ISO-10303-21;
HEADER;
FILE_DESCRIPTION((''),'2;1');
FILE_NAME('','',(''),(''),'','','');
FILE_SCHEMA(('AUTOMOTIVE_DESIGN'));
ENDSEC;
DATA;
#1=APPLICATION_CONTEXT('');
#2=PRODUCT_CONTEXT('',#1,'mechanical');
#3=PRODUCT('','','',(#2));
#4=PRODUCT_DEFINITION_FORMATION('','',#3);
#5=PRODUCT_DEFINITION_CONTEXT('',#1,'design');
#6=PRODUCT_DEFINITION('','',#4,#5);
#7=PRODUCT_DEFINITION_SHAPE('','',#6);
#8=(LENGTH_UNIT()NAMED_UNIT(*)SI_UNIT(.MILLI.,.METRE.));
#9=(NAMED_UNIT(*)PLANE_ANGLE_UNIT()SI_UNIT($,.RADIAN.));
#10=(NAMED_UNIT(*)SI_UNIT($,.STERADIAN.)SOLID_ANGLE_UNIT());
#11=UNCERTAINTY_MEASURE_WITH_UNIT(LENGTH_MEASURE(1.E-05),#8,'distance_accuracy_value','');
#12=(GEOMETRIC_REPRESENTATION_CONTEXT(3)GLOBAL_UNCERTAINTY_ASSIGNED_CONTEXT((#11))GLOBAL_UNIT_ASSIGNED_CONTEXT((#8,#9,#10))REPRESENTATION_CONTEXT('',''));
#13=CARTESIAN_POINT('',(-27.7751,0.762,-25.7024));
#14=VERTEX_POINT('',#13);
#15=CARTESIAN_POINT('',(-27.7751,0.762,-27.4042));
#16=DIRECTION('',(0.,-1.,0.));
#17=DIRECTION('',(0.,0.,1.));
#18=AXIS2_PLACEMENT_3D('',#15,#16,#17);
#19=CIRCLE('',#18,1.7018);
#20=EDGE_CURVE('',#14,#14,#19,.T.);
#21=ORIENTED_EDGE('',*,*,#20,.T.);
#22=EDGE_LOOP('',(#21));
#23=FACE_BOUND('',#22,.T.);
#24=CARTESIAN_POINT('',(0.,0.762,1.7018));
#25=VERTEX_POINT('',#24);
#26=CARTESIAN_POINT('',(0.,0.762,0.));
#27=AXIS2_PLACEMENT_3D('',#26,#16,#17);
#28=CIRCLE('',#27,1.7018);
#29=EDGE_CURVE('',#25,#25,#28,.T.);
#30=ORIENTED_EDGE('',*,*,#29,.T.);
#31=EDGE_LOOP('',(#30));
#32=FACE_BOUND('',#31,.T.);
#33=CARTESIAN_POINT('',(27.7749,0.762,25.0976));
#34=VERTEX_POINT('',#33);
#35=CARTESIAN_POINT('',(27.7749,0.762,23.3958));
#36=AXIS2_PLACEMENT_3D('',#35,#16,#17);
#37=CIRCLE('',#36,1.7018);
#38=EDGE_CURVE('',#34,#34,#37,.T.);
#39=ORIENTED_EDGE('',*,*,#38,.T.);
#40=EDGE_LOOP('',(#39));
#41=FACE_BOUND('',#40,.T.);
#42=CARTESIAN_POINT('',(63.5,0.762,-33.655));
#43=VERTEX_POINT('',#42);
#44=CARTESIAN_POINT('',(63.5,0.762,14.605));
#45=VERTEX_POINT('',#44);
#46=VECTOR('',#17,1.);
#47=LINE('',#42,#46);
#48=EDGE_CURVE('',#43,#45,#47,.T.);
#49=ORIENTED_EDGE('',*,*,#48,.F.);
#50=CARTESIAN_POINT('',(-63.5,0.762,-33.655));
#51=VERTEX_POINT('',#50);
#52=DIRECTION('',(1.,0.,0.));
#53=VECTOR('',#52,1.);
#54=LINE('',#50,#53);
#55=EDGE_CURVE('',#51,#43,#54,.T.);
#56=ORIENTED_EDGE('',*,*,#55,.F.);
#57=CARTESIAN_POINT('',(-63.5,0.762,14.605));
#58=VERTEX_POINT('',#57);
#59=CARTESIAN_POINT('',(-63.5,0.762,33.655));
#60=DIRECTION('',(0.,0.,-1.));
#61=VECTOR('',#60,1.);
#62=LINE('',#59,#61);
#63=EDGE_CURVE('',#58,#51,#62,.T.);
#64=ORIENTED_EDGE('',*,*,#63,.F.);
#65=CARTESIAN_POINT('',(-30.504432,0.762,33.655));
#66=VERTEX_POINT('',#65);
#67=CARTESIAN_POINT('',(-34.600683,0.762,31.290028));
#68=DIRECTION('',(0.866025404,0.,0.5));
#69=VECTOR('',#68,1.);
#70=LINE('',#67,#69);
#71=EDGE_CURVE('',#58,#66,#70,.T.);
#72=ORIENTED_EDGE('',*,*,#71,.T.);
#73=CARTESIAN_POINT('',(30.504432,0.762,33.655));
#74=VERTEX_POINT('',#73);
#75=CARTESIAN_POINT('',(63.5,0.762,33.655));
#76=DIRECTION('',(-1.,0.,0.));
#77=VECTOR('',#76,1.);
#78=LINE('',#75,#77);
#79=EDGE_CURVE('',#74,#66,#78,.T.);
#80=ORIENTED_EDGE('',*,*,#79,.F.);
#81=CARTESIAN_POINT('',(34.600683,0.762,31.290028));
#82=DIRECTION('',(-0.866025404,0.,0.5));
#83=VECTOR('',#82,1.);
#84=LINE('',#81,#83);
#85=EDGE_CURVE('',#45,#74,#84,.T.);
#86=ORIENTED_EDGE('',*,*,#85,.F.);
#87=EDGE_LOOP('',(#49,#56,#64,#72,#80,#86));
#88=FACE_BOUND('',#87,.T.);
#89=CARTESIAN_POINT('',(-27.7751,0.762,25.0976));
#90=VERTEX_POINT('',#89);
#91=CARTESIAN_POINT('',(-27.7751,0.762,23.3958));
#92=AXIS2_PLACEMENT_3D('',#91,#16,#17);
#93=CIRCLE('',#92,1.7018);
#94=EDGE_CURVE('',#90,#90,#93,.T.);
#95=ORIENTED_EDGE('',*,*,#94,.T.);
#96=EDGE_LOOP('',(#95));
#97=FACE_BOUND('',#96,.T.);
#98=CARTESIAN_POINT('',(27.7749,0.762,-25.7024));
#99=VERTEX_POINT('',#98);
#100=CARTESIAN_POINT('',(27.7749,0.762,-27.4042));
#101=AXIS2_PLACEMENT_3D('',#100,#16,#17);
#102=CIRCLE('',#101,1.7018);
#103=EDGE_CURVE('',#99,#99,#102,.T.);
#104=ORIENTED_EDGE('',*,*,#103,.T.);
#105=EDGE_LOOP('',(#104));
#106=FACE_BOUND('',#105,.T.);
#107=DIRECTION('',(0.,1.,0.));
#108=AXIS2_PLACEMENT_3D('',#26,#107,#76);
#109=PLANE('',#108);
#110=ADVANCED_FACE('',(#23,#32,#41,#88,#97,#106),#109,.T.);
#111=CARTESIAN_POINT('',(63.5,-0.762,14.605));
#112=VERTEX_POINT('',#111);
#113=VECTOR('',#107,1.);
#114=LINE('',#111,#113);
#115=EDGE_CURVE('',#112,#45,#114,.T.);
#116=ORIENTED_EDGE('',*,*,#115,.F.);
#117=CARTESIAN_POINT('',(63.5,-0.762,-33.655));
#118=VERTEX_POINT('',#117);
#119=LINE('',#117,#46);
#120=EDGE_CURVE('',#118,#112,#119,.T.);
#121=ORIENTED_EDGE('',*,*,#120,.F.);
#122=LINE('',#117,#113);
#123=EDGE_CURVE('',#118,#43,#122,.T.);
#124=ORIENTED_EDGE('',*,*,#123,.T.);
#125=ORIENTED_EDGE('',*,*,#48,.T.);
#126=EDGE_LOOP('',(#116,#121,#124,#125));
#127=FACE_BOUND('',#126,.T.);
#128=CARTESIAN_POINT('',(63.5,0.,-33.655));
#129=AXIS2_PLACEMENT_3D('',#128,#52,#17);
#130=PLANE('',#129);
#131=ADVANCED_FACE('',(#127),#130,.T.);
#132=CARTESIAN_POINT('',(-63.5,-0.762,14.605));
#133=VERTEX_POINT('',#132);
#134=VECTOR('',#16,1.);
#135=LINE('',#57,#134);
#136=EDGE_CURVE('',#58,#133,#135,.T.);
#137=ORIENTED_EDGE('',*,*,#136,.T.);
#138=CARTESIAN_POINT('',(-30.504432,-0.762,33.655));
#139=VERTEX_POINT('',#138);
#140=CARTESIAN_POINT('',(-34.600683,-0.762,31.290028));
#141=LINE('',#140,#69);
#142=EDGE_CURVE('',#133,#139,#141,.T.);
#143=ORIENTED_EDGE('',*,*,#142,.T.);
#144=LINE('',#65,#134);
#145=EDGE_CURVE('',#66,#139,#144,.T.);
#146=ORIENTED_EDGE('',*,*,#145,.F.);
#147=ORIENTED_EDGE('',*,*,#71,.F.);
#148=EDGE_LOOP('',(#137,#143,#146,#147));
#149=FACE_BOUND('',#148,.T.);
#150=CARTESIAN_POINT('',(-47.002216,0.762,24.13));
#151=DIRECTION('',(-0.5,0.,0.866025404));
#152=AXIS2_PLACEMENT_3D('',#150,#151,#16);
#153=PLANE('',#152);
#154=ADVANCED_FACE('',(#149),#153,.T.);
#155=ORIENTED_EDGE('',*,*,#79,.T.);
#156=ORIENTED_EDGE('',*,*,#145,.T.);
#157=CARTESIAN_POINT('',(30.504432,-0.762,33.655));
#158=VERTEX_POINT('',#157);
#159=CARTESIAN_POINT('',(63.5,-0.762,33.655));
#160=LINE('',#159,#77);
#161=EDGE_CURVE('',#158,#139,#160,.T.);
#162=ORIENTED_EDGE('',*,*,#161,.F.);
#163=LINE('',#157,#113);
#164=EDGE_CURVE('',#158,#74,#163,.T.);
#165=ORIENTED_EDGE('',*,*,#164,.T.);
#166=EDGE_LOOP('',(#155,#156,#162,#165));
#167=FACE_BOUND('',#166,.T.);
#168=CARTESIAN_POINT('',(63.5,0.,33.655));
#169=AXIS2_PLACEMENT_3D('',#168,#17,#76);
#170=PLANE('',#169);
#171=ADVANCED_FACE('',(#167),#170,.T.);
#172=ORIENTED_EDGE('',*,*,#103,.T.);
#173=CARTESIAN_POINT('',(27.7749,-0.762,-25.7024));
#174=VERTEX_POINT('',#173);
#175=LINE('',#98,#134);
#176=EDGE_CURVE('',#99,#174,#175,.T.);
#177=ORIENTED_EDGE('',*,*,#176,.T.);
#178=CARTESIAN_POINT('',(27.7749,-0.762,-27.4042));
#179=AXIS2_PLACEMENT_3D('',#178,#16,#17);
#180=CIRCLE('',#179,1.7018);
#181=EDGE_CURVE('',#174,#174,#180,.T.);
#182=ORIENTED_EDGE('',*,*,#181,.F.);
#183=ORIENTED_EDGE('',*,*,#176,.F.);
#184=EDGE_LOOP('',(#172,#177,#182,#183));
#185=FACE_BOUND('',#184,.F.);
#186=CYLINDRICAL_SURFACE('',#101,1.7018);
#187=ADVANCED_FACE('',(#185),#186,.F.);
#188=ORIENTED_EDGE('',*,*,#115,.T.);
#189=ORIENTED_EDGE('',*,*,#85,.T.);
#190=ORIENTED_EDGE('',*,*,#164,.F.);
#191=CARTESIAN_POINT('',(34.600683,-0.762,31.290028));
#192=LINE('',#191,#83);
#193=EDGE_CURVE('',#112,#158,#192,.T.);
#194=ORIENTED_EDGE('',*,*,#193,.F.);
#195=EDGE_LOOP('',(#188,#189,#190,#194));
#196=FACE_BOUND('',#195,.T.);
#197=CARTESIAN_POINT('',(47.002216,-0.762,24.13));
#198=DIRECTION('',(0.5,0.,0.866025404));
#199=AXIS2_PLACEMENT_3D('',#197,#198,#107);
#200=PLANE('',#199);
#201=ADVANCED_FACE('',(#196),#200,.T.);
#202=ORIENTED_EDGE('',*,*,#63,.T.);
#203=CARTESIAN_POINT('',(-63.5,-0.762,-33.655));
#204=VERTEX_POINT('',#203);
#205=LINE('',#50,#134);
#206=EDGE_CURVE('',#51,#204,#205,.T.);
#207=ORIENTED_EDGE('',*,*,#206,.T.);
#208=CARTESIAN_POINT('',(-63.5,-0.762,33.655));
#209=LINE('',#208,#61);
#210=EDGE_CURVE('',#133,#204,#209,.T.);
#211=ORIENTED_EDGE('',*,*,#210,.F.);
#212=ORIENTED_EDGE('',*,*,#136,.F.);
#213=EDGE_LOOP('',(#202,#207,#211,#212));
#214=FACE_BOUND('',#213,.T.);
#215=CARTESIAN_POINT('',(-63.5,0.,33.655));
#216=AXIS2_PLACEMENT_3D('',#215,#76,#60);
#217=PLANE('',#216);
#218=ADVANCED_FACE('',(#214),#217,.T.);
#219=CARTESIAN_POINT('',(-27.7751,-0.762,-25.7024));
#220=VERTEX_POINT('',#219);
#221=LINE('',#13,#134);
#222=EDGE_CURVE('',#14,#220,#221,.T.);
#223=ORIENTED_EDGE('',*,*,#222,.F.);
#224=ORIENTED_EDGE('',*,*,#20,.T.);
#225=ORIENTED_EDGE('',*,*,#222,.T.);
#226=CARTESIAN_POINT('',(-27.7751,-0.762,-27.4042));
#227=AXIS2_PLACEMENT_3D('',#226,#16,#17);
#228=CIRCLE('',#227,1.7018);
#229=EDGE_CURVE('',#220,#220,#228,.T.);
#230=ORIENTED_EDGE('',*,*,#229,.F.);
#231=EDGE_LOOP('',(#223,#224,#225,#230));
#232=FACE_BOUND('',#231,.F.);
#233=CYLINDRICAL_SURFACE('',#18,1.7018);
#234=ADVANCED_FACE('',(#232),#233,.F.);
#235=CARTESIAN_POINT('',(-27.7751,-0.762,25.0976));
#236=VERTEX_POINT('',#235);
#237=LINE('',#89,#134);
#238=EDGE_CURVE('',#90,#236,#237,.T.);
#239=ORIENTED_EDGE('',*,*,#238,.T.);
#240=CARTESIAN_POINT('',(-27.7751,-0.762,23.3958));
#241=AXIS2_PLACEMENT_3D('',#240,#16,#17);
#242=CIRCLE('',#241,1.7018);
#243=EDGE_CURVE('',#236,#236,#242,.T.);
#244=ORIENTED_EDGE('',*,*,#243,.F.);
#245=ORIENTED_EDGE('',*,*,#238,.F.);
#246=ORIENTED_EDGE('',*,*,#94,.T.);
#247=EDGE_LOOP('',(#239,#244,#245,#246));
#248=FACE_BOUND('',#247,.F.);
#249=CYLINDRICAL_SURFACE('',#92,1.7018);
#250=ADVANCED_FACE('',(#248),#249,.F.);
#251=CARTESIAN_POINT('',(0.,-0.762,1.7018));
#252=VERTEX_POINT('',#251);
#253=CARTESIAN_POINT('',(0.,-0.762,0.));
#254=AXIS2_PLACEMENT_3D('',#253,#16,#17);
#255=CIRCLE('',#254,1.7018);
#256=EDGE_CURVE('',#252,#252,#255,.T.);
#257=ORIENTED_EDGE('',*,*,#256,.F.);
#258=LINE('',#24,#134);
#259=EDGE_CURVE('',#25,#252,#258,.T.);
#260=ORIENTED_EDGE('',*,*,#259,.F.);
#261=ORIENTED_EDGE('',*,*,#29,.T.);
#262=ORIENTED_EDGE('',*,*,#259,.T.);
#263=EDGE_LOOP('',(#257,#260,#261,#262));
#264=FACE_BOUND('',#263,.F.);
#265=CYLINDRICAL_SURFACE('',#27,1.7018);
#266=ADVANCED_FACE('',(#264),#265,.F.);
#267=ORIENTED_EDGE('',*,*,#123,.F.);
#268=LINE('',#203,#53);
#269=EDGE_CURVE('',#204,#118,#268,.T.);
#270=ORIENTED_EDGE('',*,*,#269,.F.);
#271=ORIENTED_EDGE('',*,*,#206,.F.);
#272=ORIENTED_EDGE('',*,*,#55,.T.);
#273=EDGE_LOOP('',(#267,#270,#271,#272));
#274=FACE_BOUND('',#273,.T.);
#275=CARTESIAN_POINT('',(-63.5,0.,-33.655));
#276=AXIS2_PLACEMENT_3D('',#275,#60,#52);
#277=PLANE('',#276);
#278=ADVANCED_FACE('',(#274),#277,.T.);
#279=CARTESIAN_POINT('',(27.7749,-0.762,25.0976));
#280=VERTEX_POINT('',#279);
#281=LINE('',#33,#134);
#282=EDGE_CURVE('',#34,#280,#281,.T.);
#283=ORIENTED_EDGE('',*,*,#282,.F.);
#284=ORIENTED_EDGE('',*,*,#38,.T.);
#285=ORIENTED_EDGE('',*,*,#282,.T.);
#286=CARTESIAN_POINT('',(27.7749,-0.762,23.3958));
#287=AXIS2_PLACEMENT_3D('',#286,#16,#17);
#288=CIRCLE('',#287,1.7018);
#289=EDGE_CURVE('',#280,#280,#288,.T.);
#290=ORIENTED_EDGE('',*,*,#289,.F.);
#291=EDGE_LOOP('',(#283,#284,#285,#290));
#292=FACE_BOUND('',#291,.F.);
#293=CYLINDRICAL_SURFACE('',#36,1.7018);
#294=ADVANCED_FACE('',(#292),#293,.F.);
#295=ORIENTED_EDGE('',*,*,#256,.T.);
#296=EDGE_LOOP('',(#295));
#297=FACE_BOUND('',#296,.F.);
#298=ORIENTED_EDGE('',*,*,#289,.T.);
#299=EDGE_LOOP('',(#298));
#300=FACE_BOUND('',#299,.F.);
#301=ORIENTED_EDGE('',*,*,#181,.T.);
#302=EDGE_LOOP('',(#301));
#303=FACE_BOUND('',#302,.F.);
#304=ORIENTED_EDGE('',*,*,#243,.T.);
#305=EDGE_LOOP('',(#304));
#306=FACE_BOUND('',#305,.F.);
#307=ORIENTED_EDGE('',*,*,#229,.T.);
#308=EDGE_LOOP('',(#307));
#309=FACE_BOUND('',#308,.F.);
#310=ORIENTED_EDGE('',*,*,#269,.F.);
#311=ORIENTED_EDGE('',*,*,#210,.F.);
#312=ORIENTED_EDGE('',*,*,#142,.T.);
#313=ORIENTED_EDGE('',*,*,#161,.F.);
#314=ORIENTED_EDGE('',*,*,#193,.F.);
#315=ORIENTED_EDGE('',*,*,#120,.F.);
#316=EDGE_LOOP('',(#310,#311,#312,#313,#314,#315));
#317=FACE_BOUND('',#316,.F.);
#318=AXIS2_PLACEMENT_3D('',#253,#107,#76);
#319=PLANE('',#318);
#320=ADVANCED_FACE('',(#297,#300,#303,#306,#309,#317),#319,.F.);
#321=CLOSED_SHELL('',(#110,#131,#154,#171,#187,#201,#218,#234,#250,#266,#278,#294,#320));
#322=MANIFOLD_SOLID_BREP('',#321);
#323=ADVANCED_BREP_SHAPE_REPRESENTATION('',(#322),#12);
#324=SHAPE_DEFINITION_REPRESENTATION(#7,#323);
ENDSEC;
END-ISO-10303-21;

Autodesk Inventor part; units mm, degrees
ref_plane "YZ Plane" through (0, 0, 0) normal (1, 0, 0) x (0, 1, 0)
ref_plane "XZ Plane" through (0, 0, 0) normal (0, 1, 0) x (-1, 0, 0)
ref_plane "XY Plane" through (0, 0, 0) normal (0, 0, 1) x (1, 0, 0)
sketch "Sketch1" plane through (0, 0, 0) normal (0, 1, 0) x (-1, 0, 0)
  line L0 (-63.5, 33.655) -> (63.5, 33.655)
  line L1 (63.5, 33.655) -> (63.5, -33.655)
  line L2 (63.5, -33.655) -> (-63.5, -33.655)
  line L3 (-63.5, -33.655) -> (-63.5, 33.655)
  line L4 (-63.5, 33.655) -> (63.5, -33.655) construction
  line L5 (63.5, 33.655) -> (-63.5, -33.655) construction
  point P0 (0, 0)
  dimension "d0" = 127
  dimension "d1" = 67.31
extrude "Extrusion1" add sketch "Sketch1" along normal mid plane 1.524
chamfer "Chamfer1" distance 19.05 angle 60 1 edges at (-63.5, 0, 33.655) measured on face at (-63.5, -0.254, 11.2183)
sketch "Sketch3" plane through (0, 0.762, 0) normal (0, 1, 0) x (1, 0, 0)
  circle A0 centre (27.7749, 27.4042) radius 1.7018 projected
  circle A1 centre (27.7749, -23.3958) radius 1.7018 projected
  circle A2 centre (-27.7751, -23.3958) radius 1.7018 projected
  circle A3 centre (-27.7751, 27.4042) radius 1.7018 projected
  point P0 (0, 0)
hole "Hole2" at (0, 0.762, 0) at (27.7749, 0.762, -27.4042) at (27.7749, 0.762, 23.3958) at (-27.7751, 0.762, 23.3958) at (-27.7751, 0.762, -27.4042) direction (0, -1, 0) diameter 3.4036 end through all clearance for "Flat Head Machine Screw" size "M3" standard "Ansi Metric M Profile"
chamfer "Chamfer2" distance 19.05 angle 60 1 edges at (63.5, 0, 33.655) measured on face at (63.5, 0.254, 11.2183)
properties part number "DPLX_P022 Spark Gap Shielding Top" material "Polyethylene, High Density"
